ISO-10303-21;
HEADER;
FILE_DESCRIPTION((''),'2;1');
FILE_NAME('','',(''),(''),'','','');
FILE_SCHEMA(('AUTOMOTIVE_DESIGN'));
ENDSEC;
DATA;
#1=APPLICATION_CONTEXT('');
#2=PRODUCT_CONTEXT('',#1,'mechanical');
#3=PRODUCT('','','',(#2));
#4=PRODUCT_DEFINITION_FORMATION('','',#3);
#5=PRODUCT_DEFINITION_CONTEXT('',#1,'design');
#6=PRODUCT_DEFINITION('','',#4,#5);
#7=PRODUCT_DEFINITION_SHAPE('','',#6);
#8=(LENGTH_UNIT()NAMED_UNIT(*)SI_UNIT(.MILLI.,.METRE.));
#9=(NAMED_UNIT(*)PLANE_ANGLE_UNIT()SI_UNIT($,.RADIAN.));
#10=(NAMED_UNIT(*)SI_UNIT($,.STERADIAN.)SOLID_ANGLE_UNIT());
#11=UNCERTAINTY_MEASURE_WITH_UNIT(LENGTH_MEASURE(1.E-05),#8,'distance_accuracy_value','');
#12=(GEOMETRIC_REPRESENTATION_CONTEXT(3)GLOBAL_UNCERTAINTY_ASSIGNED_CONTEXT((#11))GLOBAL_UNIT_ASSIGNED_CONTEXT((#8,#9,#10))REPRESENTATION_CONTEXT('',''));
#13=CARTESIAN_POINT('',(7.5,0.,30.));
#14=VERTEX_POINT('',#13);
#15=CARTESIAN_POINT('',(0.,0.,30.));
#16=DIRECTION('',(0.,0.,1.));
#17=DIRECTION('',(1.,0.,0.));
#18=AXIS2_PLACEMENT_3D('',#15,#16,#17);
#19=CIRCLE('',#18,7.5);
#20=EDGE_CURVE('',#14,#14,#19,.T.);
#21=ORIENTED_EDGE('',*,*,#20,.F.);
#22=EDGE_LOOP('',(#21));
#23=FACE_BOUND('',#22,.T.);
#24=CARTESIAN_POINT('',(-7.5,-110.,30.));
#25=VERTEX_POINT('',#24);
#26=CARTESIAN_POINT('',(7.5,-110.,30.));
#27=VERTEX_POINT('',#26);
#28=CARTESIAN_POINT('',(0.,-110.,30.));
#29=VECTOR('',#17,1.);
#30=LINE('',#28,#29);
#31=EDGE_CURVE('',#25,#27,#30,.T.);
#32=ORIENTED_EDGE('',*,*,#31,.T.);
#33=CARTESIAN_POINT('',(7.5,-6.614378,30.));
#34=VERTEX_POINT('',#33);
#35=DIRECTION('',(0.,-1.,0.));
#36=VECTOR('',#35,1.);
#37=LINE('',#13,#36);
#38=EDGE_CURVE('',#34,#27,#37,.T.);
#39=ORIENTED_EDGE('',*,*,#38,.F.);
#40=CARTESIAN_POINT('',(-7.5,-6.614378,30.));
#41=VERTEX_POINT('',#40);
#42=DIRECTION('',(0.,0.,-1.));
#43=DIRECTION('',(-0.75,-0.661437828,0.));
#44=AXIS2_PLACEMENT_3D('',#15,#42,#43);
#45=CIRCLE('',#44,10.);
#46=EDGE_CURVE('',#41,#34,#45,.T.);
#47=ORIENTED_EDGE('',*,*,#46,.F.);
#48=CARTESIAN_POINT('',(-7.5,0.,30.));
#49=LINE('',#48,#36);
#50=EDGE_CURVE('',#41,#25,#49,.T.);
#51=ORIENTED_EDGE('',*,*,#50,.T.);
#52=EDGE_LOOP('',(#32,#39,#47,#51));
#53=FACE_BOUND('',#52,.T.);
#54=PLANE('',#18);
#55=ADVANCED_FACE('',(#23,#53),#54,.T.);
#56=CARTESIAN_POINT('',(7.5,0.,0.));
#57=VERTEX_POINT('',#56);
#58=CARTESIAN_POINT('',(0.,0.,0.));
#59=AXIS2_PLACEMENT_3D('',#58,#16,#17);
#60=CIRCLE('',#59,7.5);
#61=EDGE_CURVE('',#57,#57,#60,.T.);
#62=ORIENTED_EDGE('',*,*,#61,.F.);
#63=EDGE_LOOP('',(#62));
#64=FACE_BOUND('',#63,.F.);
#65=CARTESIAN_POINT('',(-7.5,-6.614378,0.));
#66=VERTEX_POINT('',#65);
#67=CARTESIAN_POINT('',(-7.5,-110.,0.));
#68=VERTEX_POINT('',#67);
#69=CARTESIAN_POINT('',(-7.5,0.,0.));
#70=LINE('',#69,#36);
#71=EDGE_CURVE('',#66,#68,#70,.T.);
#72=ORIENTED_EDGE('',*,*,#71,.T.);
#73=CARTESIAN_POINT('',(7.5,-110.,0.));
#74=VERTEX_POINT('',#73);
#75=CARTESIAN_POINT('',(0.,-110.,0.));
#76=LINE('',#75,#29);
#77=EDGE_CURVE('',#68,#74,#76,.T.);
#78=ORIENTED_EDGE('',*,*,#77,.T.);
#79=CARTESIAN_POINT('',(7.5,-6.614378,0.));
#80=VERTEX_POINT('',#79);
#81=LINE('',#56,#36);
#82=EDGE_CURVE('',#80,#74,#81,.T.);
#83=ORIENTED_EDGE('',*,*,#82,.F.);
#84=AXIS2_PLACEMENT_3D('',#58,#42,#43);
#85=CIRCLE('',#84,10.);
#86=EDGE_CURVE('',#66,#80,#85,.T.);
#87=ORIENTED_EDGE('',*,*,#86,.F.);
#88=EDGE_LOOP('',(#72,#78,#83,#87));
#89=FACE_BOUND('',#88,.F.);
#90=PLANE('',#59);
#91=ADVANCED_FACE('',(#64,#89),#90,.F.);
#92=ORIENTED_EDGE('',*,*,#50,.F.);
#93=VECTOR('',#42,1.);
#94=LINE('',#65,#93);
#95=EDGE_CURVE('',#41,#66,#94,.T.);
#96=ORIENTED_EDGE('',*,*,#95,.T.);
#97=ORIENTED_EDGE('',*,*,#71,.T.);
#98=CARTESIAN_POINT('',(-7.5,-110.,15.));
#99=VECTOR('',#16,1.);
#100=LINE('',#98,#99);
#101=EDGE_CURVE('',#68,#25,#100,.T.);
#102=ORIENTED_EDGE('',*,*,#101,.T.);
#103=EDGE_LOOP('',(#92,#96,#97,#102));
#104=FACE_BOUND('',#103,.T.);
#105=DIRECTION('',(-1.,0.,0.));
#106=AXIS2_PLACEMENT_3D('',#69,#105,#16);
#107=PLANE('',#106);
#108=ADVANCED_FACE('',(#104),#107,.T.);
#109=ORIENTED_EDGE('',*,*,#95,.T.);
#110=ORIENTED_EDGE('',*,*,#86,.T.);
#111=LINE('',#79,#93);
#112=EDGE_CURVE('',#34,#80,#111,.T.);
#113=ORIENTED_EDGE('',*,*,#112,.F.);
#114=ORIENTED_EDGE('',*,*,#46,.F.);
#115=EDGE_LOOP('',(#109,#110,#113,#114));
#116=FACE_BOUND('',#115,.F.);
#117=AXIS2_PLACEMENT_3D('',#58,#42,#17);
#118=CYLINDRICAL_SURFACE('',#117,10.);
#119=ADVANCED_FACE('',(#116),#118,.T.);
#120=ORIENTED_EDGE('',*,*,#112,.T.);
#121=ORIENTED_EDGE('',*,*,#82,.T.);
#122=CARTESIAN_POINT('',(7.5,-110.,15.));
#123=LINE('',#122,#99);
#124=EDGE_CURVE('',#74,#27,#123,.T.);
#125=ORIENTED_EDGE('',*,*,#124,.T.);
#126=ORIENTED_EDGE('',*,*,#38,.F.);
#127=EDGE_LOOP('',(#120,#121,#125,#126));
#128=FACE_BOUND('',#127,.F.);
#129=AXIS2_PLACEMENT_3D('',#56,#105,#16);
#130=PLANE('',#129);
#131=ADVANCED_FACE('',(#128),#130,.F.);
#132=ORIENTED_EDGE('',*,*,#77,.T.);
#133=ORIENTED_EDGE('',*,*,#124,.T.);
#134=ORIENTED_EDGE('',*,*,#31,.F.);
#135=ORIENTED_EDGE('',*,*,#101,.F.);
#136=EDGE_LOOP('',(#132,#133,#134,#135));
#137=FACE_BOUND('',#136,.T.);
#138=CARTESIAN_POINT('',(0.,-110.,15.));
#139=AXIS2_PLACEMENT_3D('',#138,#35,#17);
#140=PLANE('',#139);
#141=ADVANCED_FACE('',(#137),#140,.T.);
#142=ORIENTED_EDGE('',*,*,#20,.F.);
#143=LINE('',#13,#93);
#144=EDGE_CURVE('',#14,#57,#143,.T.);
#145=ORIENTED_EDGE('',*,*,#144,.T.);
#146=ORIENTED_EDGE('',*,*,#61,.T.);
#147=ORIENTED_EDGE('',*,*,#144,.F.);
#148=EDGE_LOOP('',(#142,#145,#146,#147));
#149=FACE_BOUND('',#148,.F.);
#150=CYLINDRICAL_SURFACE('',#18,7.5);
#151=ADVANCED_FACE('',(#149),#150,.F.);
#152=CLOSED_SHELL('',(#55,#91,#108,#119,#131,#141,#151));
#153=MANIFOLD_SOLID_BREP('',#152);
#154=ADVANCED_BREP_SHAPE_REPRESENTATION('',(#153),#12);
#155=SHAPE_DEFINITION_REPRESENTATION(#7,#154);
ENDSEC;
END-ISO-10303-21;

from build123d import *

# Parameters (mm, degrees)
F0_R     = 10
F1_DEPTH = 30
F2_W     = 15
F2_H     = 30
F3_DEPTH = 110
F4_R     = 7.5
F5_DEPTH = 30


with BuildPart() as f1:
    # F0 (on Top) → F1 (new body)
    with BuildSketch(Plane.XY):
        Circle(F0_R)
    extrude(amount=F1_DEPTH)

    # F2 (on Front) → F3 (join)
    with BuildSketch(Plane.XZ):
        with Locations((0, 15)):
            Rectangle(F2_W, F2_H)
    extrude(amount=F3_DEPTH)

    # F4 (on face) → F5 (cut, through all)
    with BuildSketch(Plane.XY.offset(30)):
        Circle(F4_R)
    extrude(amount=-F5_DEPTH, mode=Mode.SUBTRACT)


solid = f1.part
